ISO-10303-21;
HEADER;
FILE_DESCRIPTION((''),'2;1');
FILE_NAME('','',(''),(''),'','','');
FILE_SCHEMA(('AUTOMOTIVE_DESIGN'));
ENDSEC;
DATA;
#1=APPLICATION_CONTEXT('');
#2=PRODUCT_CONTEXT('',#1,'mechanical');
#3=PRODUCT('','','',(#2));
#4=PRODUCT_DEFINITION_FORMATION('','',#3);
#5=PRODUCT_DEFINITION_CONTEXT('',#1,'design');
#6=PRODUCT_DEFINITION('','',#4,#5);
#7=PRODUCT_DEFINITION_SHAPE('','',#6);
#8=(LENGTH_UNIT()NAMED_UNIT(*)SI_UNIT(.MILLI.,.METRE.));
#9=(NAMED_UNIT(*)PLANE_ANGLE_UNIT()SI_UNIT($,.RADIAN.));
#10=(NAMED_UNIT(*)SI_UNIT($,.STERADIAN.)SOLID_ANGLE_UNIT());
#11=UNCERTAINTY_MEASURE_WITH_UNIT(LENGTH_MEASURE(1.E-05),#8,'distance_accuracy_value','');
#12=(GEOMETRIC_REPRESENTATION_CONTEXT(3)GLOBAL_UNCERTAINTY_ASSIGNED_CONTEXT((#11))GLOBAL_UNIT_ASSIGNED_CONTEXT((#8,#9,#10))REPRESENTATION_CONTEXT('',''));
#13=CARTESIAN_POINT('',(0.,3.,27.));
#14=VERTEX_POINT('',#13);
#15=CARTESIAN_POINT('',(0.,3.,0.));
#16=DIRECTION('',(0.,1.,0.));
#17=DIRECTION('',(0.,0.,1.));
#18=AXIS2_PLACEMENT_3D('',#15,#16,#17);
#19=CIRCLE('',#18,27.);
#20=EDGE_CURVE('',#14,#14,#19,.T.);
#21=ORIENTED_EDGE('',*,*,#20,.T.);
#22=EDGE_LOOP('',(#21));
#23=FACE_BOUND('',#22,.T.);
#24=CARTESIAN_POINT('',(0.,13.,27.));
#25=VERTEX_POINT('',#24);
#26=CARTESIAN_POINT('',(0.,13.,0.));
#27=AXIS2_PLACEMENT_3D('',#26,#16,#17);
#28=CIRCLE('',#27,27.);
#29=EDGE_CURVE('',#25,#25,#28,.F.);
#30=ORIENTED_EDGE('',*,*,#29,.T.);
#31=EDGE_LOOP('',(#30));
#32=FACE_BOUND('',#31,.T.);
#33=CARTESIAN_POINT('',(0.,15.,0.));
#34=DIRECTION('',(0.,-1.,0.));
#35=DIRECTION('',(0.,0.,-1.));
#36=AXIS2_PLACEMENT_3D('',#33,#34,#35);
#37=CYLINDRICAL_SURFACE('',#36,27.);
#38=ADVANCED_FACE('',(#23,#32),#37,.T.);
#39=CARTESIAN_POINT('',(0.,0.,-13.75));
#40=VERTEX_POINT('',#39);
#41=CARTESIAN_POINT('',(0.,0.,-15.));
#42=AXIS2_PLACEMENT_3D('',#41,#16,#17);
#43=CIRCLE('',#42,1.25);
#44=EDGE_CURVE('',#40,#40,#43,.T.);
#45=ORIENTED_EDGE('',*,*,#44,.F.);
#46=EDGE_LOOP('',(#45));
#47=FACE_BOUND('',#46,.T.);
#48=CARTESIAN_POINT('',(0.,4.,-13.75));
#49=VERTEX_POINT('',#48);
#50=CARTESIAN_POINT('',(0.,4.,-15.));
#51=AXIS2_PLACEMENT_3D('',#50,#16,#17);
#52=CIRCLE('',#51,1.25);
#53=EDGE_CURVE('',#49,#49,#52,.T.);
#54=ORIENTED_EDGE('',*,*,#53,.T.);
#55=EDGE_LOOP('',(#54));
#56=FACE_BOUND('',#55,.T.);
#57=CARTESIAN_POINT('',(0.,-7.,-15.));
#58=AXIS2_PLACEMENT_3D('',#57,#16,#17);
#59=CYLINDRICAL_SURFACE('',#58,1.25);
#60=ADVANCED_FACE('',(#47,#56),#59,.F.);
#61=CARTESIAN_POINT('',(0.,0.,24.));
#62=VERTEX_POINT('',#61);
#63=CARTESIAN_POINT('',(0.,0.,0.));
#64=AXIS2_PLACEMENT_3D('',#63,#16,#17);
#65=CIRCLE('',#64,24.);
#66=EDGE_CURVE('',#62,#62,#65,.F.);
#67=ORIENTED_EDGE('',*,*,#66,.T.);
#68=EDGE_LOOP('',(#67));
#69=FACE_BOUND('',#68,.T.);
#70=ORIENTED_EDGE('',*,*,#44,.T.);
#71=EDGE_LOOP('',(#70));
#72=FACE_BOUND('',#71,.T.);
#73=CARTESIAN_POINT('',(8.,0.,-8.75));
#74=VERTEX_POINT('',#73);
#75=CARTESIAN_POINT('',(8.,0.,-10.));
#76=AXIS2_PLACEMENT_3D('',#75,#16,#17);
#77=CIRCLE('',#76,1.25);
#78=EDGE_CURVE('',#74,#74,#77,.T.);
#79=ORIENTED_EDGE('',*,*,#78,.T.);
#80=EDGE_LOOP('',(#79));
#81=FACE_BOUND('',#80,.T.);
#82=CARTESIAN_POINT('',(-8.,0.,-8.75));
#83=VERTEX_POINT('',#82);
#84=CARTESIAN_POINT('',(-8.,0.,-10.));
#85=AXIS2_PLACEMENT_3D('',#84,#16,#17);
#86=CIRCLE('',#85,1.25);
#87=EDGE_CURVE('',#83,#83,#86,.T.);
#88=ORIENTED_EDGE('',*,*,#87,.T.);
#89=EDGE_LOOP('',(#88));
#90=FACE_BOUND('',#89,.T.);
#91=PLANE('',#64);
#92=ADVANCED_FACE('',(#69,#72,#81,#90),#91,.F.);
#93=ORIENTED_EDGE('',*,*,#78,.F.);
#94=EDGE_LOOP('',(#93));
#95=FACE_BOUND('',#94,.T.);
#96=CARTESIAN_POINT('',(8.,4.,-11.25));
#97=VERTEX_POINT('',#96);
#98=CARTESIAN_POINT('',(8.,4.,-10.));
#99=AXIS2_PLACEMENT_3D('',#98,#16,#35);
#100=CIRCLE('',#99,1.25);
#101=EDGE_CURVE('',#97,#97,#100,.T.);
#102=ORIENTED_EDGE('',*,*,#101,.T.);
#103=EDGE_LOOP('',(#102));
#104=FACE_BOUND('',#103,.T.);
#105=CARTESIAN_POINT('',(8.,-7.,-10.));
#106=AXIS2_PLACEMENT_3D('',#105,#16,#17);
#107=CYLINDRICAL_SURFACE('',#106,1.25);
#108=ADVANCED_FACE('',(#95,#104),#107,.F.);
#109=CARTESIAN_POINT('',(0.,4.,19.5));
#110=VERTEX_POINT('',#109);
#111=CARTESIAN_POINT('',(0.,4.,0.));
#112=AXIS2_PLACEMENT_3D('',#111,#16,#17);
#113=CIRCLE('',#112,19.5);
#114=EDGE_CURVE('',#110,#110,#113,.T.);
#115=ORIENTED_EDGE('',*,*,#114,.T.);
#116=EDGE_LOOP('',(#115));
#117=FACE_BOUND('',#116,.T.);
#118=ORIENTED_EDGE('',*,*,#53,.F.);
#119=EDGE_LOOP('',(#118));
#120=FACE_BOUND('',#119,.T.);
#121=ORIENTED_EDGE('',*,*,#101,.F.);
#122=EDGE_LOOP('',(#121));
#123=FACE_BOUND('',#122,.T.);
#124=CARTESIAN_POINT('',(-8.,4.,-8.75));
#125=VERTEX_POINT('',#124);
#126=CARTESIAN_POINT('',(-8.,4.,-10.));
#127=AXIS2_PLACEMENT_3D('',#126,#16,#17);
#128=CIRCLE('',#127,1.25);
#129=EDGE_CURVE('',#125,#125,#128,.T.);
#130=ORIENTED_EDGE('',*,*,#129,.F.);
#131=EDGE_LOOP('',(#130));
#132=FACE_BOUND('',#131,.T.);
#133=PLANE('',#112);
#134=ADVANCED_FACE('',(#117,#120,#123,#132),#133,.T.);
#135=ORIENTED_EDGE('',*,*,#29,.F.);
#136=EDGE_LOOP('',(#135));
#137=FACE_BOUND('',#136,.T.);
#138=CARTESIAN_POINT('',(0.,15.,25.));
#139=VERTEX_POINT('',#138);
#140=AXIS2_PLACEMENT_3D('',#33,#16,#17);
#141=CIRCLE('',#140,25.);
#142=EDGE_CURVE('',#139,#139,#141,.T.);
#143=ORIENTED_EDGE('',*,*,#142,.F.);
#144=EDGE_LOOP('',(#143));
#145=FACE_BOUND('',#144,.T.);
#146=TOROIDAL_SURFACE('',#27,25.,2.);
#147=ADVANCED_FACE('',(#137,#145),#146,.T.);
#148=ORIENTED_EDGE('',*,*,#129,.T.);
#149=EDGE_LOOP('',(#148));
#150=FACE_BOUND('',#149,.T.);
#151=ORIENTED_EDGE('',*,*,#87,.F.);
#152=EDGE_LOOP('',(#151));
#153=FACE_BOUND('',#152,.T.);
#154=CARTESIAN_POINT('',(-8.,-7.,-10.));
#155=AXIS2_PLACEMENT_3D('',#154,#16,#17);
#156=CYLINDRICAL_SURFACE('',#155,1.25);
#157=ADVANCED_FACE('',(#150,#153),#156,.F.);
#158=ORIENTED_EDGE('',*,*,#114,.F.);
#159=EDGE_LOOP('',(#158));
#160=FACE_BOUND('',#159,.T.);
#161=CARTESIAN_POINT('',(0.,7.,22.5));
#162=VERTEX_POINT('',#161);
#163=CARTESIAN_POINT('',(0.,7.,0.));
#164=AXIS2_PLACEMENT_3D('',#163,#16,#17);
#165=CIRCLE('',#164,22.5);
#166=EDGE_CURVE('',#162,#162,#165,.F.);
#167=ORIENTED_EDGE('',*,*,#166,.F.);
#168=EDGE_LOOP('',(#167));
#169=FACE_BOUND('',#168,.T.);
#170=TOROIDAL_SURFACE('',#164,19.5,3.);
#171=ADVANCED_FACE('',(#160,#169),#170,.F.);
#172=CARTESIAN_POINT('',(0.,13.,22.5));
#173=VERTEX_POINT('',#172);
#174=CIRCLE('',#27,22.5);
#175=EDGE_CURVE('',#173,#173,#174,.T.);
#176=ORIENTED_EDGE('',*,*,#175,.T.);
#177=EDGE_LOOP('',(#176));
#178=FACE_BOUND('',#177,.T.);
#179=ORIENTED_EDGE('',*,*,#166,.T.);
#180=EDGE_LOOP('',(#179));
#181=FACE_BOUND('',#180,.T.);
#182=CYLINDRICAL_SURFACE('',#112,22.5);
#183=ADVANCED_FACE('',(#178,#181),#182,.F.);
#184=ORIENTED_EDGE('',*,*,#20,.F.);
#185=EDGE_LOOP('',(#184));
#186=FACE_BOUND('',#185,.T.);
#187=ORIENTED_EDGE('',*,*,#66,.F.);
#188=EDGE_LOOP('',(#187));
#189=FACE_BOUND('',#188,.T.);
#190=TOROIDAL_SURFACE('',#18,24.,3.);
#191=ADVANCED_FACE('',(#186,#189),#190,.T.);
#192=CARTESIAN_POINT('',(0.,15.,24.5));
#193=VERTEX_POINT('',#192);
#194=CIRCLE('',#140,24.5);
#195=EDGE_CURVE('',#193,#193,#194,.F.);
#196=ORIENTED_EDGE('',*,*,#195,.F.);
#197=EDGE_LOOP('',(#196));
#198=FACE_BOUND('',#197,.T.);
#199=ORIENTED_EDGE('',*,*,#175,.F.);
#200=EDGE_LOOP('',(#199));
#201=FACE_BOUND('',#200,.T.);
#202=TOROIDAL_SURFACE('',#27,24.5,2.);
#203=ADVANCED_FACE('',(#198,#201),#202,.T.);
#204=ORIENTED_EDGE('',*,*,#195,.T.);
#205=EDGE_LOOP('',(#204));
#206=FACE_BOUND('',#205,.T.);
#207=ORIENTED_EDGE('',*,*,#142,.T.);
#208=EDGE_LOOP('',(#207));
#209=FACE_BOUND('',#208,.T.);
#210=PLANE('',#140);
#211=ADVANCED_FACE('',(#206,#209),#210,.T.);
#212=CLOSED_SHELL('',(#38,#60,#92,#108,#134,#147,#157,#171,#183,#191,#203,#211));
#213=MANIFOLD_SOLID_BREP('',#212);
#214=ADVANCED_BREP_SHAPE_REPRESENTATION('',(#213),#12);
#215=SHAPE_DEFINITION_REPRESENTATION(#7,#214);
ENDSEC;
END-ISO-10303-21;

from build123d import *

# Parameters (mm, degrees)
SKETCH1_R           = 27
BOSS_EXTRUDE1_DEPTH = 15
SKETCH2_R           = 22.5
CUT_EXTRUDE1_DEPTH  = 11
FILLET1_R           = 3
FILLET2_R           = 3
FILLET3_R           = 2
FILLET4_R           = 2
SKETCH4_R           = 1.25
CUT_EXTRUDE2_DEPTH  = 11


with BuildPart() as part:
    # Sketch1 → Boss-Extrude1 (new body)
    with BuildSketch(Plane(origin=(0, 0, 0), x_dir=(1, 0, 0), z_dir=(0, 1, 0))):
        with Locations(Location((0, 0, 0), (0, 0, 270))):
            Circle(SKETCH1_R)
    extrude(amount=BOSS_EXTRUDE1_DEPTH)

    # Sketch2 → Cut-Extrude1 (cut)
    with BuildSketch(Plane(origin=(0, 15, 0), x_dir=(1, 0, 0), z_dir=(0, 1, 0))):
        with Locations(Location((0, 0, 0), (0, 0, 270))):
            Circle(SKETCH2_R)
    extrude(amount=-CUT_EXTRUDE1_DEPTH, mode=Mode.SUBTRACT)

    # Fillet1
    fillet1_edges = [part.edges().sort_by_distance(p)[0] for p in [
        (0, 0, -27),
    ]]
    fillet(fillet1_edges, radius=FILLET1_R)

    # Fillet2
    fillet2_edges = [part.edges().sort_by_distance(p)[0] for p in [
        (0, 4, -22.5),
    ]]
    fillet(fillet2_edges, radius=FILLET2_R)

    # Fillet3
    fillet3_edges = [part.edges().sort_by_distance(p)[0] for p in [
        (0, 15, -27),
    ]]
    fillet(fillet3_edges, radius=FILLET3_R)

    # Fillet4
    fillet4_edges = [part.edges().sort_by_distance(p)[0] for p in [
        (0, 15, -22.5),
    ]]
    fillet(fillet4_edges, radius=FILLET4_R)

    # Sketch4 → Cut-Extrude2 (cut)
    with BuildSketch(Plane(origin=(0, 4, 0), x_dir=(1, 0, 0), z_dir=(0, 1, 0))):
        with Locations(Location((-8, 10, 0), (0, 0, 270))):
            Circle(SKETCH4_R)
        with Locations(Location((8, 10, 0), (0, 0, 270))):
            Circle(SKETCH4_R)
        with Locations(Location((0, 15, 0), (0, 0, 270))):
            Circle(SKETCH4_R)
    extrude(amount=-CUT_EXTRUDE2_DEPTH, mode=Mode.SUBTRACT)


solid = part.part
